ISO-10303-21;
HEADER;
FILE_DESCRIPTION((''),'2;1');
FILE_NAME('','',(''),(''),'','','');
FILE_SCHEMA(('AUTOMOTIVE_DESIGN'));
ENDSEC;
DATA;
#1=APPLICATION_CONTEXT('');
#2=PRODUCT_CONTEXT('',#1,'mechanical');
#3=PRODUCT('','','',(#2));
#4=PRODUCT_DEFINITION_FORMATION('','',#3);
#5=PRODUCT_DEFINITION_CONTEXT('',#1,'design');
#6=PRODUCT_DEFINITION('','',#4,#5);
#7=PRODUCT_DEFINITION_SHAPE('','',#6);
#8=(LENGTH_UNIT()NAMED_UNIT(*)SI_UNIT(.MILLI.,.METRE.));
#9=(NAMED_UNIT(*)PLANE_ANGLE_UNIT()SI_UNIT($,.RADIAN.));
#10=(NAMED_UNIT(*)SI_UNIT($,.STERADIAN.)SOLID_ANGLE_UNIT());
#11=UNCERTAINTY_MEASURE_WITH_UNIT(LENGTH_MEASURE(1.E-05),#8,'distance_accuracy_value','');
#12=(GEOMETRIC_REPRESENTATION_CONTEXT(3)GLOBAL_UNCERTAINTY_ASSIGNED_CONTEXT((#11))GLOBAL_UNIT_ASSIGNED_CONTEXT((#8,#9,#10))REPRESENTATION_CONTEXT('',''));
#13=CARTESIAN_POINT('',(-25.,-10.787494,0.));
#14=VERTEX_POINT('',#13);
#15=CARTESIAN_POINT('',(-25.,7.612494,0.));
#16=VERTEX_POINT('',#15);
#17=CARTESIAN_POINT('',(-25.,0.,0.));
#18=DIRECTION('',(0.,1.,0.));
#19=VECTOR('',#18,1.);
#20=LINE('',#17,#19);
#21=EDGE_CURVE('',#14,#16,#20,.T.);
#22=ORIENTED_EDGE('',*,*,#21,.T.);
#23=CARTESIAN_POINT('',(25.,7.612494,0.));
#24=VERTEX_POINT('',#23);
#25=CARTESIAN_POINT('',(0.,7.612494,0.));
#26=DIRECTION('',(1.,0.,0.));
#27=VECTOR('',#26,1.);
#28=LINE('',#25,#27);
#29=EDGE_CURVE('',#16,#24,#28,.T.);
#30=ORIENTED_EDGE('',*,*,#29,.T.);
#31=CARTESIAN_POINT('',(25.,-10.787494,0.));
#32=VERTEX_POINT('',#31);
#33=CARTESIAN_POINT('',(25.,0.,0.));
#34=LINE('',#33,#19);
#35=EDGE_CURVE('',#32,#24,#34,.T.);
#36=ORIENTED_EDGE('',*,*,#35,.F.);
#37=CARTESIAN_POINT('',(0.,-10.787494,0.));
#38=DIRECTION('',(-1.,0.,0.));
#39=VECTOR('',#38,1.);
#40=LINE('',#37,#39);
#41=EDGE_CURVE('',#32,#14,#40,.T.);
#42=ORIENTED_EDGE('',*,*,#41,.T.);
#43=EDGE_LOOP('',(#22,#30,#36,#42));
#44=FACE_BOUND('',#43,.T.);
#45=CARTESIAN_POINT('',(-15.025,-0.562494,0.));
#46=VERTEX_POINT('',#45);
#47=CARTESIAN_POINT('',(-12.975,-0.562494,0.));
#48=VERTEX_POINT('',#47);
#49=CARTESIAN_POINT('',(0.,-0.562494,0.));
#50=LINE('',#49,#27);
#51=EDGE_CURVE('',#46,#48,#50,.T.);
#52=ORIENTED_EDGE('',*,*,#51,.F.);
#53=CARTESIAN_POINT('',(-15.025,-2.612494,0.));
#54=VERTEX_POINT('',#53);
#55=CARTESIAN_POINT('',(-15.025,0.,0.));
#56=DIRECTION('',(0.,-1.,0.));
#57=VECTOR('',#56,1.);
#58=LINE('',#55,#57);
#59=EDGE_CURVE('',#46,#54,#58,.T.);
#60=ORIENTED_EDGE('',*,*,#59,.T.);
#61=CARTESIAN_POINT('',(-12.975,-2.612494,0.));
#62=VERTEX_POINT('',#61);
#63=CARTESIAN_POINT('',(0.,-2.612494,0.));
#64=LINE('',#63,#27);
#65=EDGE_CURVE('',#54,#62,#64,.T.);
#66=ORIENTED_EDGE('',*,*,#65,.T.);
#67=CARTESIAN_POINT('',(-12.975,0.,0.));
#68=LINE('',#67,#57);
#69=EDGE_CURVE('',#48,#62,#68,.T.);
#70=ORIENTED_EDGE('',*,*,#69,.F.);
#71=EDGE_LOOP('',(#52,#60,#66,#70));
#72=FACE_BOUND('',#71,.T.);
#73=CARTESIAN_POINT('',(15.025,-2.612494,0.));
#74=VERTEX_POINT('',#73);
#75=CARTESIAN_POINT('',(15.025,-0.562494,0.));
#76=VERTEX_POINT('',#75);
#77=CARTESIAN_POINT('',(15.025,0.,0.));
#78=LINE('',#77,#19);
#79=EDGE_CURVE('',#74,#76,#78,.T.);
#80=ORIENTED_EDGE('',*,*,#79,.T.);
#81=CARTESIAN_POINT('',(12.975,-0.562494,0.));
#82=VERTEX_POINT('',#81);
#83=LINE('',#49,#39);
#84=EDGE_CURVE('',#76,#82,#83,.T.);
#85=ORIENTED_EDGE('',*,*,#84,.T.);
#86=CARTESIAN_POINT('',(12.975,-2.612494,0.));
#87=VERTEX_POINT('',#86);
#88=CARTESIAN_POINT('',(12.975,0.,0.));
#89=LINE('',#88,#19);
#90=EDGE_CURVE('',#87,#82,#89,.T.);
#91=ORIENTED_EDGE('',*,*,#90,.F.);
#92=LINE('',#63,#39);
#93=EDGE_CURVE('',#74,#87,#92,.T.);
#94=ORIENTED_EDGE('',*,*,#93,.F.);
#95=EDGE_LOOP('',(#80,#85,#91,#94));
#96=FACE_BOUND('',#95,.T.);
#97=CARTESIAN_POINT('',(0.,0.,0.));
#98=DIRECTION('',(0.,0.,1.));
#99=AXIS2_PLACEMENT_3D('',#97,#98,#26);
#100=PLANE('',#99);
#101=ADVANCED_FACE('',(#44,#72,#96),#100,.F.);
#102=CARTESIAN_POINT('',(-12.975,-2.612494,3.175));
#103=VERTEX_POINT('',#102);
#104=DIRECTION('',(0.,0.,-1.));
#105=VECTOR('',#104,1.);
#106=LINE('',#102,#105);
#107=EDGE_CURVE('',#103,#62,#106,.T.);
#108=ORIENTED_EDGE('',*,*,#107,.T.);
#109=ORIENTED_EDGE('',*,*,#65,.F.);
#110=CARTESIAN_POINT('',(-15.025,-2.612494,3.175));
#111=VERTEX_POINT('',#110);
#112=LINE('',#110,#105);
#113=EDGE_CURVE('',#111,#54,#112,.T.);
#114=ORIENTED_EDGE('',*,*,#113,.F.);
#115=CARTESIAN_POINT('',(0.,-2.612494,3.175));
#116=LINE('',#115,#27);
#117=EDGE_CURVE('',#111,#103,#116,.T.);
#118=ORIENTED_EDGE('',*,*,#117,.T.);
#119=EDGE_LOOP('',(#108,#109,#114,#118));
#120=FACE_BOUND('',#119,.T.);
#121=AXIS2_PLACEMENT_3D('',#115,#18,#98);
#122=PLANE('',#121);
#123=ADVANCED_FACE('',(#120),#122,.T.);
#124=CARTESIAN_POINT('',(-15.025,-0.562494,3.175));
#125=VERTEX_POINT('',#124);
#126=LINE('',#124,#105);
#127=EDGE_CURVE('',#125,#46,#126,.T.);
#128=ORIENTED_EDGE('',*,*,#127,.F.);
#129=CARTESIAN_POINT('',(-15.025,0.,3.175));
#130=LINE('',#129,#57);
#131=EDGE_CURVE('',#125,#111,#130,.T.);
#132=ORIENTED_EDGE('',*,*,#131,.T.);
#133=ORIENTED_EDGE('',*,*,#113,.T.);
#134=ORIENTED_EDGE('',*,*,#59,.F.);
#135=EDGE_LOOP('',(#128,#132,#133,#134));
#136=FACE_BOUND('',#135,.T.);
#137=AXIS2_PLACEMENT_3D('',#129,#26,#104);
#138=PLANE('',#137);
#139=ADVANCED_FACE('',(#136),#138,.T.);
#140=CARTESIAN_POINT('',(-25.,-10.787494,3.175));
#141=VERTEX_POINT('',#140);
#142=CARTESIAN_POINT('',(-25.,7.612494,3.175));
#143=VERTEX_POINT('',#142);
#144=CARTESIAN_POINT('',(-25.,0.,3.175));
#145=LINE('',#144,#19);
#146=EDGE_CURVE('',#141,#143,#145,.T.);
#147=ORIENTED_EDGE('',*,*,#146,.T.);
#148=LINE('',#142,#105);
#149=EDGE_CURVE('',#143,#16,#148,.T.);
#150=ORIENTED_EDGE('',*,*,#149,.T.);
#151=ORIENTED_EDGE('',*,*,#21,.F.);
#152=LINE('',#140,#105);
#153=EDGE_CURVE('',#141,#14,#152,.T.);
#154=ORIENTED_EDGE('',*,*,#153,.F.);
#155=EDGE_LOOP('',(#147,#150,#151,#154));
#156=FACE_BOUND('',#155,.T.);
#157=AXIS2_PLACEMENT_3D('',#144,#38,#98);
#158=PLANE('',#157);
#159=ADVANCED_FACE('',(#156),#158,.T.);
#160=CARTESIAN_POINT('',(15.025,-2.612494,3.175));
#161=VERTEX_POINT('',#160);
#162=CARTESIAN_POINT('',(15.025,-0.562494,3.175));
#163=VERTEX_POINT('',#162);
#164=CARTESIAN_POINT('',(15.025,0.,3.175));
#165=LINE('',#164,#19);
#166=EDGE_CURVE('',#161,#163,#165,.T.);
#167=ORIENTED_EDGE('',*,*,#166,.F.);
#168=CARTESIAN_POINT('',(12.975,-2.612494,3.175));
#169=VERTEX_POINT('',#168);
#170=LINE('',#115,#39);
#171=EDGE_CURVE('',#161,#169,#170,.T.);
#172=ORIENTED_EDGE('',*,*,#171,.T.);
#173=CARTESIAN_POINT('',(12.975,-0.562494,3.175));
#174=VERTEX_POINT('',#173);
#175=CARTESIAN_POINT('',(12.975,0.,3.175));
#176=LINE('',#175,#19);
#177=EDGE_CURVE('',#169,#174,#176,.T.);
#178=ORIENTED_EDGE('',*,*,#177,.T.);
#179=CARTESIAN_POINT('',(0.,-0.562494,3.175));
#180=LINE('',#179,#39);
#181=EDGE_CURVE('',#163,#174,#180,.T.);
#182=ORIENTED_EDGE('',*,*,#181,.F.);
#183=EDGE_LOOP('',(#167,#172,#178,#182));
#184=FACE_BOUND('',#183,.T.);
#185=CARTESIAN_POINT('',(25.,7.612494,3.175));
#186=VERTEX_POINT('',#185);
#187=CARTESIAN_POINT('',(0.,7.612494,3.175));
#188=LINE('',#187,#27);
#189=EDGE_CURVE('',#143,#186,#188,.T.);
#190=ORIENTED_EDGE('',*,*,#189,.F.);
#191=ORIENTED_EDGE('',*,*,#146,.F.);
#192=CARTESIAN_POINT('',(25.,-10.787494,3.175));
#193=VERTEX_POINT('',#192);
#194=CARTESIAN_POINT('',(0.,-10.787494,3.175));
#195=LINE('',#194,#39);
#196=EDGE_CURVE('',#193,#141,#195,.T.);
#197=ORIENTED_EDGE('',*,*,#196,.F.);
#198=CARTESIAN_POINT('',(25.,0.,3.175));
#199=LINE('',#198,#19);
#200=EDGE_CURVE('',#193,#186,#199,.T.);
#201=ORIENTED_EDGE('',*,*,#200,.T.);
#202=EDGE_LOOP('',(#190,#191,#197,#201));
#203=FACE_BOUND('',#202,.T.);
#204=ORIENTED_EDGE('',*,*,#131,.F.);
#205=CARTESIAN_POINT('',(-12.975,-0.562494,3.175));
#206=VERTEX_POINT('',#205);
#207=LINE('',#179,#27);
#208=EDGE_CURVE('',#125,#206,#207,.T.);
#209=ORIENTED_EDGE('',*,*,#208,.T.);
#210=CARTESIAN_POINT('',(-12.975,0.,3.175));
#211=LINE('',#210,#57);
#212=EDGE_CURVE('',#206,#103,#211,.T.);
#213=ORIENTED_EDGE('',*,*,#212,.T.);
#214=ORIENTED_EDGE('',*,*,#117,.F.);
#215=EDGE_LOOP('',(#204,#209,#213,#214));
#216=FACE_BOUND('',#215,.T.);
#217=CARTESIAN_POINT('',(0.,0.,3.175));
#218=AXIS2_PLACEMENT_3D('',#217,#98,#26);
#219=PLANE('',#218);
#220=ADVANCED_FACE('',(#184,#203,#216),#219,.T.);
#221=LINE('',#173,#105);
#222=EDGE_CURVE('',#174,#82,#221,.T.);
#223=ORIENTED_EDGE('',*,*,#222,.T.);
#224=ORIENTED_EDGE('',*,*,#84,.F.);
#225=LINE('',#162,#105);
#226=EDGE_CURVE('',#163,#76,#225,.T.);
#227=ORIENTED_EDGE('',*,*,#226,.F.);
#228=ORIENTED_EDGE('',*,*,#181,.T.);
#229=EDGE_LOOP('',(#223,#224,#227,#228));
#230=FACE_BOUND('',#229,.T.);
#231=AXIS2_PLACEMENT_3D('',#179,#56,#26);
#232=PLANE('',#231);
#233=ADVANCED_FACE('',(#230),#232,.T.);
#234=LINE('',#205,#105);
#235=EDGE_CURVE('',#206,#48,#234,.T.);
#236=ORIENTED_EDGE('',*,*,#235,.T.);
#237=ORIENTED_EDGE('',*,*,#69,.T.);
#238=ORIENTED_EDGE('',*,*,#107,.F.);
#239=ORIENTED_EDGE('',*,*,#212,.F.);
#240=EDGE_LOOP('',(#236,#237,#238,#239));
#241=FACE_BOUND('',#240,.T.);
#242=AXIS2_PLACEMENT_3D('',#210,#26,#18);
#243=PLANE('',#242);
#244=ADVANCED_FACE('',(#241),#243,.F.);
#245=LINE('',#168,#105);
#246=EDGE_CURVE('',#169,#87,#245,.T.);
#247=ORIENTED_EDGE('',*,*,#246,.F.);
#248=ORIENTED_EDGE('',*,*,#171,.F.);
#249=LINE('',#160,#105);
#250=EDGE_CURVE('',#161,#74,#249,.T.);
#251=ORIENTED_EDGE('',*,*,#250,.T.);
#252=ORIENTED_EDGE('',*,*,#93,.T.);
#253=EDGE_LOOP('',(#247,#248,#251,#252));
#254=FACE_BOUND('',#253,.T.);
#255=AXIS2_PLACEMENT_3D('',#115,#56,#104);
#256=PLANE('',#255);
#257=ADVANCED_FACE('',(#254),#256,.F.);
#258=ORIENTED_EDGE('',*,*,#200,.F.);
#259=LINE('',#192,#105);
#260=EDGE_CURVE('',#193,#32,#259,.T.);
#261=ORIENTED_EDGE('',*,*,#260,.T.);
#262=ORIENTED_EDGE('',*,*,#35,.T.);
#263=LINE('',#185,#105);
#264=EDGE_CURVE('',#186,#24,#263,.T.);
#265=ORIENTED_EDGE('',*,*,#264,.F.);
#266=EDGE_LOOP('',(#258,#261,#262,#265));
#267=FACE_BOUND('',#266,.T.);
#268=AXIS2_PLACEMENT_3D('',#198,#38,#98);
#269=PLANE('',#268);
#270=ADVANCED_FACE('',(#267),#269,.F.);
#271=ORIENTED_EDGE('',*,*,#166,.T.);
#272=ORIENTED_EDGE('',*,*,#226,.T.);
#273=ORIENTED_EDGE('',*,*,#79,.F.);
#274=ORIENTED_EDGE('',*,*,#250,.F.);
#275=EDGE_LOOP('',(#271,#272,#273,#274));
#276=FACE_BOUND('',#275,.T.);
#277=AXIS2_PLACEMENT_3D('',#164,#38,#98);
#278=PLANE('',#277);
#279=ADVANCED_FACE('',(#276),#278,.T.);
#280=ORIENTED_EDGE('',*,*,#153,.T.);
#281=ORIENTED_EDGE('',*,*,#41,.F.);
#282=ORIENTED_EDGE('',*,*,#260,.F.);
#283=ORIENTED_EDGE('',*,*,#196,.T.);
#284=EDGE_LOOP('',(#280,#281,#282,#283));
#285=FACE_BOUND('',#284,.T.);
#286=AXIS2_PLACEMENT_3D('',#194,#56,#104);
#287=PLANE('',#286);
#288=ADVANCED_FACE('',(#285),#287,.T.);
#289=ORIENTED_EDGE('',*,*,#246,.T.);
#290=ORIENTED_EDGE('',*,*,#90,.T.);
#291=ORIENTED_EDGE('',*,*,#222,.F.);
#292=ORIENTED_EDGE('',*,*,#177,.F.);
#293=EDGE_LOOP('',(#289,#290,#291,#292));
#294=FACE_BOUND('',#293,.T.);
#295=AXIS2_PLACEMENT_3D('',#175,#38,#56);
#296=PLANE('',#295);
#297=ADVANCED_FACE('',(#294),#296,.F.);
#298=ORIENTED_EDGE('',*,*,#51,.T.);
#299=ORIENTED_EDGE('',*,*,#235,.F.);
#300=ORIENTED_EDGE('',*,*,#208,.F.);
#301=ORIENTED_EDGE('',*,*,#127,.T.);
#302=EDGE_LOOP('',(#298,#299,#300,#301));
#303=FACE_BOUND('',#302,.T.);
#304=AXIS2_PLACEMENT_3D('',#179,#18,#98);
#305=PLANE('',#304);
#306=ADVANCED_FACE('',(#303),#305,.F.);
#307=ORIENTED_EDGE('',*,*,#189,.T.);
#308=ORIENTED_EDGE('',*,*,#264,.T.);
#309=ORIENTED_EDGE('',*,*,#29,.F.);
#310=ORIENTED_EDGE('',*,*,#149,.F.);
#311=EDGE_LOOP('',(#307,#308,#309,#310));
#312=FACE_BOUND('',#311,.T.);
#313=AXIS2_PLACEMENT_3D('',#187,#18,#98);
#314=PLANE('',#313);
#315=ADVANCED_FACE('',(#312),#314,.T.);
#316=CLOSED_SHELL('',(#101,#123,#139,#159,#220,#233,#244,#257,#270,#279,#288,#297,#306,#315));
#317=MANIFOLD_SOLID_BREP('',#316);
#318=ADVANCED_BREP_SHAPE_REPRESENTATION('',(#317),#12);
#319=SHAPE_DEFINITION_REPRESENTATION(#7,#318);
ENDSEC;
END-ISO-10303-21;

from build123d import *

# Parameters (mm, degrees)
SKETCH2_W           = 2.05
SKETCH2_H           = 2.05
BOSS_EXTRUDE1_DEPTH = 3.175


with BuildPart() as part:
    # Sketch2 → Boss-Extrude1 (new body)
    with BuildSketch(Plane.XY):
        Polygon((-25, -10.7874943), (25, -10.7874943), (25, -1), (25, 1), (25, 7.6124943), (22.5, 7.6124943), (20.5, 7.6124943), (18, 7.6124943), (-18, 7.6124943), (-20.5, 7.6124943), (-22.5, 7.6124943), (-25, 7.6124943), (-25, 1), (-25, -1), align=None)
        with Locations((-14, -1.5874943)):
            Rectangle(SKETCH2_W, SKETCH2_H, mode=Mode.SUBTRACT)
        with Locations((14, -1.5874943)):
            Rectangle(SKETCH2_W, SKETCH2_H, mode=Mode.SUBTRACT)
    extrude(amount=BOSS_EXTRUDE1_DEPTH)


solid = part.part
